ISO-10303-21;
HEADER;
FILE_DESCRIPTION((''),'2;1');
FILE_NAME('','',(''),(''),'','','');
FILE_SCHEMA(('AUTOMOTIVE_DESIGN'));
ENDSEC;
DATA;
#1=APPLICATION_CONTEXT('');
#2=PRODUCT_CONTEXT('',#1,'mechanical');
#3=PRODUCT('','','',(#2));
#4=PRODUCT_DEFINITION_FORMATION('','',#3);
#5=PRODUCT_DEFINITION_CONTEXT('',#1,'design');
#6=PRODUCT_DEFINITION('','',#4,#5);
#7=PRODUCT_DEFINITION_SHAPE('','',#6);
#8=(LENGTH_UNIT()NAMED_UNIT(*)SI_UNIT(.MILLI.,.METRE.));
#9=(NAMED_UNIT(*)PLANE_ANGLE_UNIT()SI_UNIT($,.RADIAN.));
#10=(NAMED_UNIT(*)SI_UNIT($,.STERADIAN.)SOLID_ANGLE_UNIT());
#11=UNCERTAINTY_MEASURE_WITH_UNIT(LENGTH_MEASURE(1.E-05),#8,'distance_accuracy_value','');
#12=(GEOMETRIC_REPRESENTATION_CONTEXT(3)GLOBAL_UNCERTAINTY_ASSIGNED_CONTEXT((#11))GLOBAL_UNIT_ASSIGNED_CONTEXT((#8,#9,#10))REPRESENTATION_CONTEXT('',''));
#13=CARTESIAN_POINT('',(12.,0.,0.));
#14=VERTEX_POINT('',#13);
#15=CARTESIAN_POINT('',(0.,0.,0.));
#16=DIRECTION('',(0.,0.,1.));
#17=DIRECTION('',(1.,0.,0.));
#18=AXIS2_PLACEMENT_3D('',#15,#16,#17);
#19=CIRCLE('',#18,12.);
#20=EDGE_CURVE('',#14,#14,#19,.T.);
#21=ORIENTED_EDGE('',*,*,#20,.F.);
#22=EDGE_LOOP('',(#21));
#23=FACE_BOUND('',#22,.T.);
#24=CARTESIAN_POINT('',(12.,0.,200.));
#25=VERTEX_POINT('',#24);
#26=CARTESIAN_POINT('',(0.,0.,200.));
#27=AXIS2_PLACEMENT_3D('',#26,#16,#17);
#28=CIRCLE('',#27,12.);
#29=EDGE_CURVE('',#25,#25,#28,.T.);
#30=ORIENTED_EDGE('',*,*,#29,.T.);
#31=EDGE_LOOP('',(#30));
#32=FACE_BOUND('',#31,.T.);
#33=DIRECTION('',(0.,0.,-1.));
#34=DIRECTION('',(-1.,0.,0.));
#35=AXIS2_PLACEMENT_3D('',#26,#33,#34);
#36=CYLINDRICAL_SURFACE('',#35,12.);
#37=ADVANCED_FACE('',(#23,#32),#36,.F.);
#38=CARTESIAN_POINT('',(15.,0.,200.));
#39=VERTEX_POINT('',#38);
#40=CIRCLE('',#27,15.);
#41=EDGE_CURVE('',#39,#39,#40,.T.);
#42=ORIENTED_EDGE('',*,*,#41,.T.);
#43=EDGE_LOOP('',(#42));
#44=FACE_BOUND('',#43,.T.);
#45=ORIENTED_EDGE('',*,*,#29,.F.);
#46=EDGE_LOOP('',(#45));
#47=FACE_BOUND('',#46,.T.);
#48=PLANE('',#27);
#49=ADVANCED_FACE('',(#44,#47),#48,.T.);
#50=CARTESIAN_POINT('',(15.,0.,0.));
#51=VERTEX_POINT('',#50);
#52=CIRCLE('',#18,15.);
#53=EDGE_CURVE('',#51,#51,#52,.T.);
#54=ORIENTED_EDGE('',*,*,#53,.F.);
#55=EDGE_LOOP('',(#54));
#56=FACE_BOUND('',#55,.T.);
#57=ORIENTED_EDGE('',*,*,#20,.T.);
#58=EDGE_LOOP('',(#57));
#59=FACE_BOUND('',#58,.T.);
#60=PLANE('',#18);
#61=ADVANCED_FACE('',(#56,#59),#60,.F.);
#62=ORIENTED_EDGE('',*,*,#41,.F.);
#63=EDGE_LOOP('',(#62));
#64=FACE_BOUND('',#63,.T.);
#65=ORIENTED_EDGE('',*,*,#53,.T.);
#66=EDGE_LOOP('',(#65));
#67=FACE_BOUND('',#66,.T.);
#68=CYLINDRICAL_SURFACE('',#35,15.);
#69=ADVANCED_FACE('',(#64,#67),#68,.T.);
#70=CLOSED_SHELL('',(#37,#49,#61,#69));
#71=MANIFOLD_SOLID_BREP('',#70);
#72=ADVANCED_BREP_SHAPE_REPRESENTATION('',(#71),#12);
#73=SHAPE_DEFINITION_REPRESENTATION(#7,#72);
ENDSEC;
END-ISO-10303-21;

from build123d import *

# Parameters (mm, degrees)
SZKIC1_R                    = 15
SZKIC1_R_2                  = 12
DODANIE_WYCI_GNI_CIE1_DEPTH = 200


with BuildPart() as part:
    # Szkic1 → Dodanie-wyciągnięcie1 (new body)
    with BuildSketch(Plane.XY):
        Circle(SZKIC1_R)
        Circle(SZKIC1_R_2, mode=Mode.SUBTRACT)
    extrude(amount=DODANIE_WYCI_GNI_CIE1_DEPTH)


solid = part.part
